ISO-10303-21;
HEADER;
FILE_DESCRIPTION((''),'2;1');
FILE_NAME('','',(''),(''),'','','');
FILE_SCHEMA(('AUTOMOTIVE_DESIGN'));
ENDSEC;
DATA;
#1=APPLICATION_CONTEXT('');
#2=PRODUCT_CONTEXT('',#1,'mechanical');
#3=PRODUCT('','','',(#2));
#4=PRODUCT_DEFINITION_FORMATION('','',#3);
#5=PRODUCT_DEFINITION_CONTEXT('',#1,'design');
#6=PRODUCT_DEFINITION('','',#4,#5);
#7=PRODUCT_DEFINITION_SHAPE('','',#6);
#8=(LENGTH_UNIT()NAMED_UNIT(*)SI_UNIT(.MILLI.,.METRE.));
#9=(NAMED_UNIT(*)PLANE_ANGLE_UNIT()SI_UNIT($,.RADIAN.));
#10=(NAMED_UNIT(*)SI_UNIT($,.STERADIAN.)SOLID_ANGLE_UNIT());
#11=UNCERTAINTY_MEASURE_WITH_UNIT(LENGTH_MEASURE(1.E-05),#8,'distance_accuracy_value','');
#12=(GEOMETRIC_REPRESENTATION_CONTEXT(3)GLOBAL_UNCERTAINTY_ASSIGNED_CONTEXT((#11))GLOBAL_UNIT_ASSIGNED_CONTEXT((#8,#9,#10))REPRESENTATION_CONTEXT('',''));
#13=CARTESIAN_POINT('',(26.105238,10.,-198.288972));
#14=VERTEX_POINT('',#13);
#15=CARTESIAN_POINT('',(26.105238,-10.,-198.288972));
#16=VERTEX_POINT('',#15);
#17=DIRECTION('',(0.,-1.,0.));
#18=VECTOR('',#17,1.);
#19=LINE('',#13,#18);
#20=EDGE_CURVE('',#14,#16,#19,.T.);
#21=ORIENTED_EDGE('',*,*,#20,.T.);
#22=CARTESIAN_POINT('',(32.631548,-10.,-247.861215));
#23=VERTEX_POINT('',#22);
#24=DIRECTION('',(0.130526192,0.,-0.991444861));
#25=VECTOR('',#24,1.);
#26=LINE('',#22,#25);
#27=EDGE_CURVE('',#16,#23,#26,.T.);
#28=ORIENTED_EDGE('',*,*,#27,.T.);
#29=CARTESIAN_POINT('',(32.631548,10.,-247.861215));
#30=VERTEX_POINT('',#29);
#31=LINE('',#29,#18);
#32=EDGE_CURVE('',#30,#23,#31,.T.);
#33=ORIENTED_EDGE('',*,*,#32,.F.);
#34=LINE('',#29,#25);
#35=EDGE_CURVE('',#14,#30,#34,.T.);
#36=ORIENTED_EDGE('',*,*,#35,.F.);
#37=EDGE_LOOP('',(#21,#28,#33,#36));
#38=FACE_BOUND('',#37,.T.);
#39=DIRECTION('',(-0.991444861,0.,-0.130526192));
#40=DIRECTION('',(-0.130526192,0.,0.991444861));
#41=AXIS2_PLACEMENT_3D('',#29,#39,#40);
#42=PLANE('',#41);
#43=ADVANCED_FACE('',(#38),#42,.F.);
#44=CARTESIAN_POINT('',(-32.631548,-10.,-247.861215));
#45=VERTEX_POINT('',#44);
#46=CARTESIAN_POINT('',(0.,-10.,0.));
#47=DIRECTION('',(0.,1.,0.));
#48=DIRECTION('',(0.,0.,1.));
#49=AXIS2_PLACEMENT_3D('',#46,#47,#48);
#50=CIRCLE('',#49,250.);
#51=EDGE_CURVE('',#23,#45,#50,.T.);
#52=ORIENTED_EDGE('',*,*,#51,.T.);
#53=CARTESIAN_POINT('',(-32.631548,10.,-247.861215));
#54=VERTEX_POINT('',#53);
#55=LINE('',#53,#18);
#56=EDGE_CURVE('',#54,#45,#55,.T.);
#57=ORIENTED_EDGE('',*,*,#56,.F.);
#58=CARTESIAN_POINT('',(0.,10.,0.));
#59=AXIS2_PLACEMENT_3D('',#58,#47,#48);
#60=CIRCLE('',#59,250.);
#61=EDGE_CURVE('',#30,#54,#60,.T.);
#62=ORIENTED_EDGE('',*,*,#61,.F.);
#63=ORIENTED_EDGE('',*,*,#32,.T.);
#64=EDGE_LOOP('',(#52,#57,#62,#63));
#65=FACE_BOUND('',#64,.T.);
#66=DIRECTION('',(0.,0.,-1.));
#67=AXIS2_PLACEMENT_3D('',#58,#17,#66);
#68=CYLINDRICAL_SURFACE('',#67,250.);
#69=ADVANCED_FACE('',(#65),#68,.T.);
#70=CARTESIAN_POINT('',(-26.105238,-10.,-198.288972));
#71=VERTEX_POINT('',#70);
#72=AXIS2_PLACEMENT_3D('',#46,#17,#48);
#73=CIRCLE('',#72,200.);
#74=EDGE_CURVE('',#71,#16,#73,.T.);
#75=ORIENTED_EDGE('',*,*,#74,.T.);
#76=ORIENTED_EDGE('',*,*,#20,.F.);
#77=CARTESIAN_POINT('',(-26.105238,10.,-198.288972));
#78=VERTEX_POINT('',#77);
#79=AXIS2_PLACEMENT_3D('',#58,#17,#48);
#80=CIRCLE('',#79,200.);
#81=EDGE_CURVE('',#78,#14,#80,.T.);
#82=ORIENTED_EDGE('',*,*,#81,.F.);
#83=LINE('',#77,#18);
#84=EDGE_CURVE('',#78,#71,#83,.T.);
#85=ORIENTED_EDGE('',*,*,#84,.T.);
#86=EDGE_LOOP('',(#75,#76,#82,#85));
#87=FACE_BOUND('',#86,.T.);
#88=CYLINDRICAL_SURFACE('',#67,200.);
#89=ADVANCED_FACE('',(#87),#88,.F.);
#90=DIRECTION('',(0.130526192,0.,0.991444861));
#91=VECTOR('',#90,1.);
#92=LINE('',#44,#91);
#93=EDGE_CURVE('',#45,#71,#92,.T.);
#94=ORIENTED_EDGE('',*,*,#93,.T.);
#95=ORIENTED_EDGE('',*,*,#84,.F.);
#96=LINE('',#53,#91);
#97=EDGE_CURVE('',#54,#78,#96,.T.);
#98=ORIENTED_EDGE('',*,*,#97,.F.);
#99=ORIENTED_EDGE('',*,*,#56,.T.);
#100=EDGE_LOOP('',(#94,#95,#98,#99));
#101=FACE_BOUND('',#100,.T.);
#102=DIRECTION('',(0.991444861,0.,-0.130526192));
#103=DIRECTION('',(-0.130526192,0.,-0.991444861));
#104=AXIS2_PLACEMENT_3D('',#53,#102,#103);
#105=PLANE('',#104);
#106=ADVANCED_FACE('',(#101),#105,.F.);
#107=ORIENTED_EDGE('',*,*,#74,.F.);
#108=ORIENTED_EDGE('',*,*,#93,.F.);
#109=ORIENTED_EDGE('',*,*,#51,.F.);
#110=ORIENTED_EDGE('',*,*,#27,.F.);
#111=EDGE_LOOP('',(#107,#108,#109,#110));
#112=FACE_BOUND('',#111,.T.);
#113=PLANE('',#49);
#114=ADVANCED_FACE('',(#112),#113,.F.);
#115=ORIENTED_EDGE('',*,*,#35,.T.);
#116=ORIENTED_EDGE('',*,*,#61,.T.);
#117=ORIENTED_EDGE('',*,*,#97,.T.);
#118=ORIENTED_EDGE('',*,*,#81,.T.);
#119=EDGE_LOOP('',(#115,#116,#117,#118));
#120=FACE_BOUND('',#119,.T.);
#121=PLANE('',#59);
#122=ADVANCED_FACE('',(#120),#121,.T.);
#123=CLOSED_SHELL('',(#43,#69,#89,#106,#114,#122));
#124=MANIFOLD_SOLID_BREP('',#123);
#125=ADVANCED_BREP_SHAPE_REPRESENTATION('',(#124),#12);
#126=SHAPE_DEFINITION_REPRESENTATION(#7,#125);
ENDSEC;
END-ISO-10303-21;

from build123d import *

# Parameters (mm, degrees)
BOSS_EXTRUDE1_DEPTH = 10


with BuildPart() as part:
    # Sketch1 → Boss-Extrude1 (new, symmetric)
    with BuildSketch(Plane(origin=(0, 0, 0), x_dir=(1, 0, 0), z_dir=(0, 1, 0))):
        with BuildLine():
            Line((32.631548055, 247.861215343), (26.105238444, 198.288972275))
            ThreePointArc((26.105238444, 198.288972275), (0, 200), (-26.105238444, 198.288972275))
            Line((-26.105238444, 198.288972275), (-32.631548055, 247.861215343))
            ThreePointArc((-32.631548055, 247.861215343), (0, 250), (32.631548055, 247.861215343))
        make_face()
    extrude(amount=BOSS_EXTRUDE1_DEPTH, both=True)


solid = part.part
